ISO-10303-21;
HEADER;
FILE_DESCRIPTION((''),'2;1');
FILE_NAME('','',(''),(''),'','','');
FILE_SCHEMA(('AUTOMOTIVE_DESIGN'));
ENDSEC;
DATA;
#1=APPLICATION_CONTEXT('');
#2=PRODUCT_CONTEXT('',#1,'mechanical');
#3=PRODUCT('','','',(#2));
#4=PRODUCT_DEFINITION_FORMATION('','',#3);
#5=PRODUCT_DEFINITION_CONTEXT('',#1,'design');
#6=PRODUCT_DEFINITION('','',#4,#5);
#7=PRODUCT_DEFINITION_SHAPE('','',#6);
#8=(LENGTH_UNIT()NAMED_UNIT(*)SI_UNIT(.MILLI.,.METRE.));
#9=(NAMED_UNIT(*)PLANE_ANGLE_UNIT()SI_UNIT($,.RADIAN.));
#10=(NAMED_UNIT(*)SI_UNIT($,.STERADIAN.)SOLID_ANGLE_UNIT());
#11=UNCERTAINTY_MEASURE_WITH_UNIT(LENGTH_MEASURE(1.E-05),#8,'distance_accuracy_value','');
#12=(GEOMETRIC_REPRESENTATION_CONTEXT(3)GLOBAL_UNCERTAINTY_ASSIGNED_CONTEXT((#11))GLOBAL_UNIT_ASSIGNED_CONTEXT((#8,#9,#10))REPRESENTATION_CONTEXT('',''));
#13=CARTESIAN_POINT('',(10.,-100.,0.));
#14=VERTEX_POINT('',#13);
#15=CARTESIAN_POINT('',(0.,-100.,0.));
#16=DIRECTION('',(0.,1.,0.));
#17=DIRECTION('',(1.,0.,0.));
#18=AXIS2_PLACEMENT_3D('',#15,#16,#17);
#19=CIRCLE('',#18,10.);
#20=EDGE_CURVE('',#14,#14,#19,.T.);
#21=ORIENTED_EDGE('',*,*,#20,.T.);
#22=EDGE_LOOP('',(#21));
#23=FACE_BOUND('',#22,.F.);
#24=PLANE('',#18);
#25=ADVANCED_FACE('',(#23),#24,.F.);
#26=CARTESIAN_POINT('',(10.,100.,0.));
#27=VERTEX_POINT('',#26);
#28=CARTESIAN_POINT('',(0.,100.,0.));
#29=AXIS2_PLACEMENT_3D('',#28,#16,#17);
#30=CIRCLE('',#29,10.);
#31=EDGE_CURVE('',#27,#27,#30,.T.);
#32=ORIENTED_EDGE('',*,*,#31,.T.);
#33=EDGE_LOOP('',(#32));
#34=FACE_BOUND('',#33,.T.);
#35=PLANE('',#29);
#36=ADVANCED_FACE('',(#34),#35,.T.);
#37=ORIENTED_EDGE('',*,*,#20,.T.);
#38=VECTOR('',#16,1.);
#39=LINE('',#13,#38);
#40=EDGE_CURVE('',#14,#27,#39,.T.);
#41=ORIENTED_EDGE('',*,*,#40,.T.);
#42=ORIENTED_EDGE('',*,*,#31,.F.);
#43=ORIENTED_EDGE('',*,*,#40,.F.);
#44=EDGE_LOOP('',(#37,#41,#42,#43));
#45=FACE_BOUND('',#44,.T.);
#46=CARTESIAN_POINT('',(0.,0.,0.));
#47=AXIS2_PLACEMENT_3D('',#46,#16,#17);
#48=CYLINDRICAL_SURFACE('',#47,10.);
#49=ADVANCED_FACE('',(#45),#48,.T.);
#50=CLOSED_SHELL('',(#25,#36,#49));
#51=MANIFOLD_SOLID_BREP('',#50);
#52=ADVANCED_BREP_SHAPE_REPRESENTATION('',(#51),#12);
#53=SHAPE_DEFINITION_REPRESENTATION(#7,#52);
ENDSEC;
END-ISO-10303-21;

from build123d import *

# Parameters (mm, degrees)
SKETCH1_R           = 10
BOSS_EXTRUDE1_DEPTH = 100


with BuildPart() as part:
    # Sketch1 → Boss-Extrude1 (new body, symmetric)
    with BuildSketch(Plane(origin=(0, 0, 0), x_dir=(1, 0, 0), z_dir=(0, 1, 0))):
        Circle(SKETCH1_R)
    extrude(amount=BOSS_EXTRUDE1_DEPTH, both=True)


solid = part.part
